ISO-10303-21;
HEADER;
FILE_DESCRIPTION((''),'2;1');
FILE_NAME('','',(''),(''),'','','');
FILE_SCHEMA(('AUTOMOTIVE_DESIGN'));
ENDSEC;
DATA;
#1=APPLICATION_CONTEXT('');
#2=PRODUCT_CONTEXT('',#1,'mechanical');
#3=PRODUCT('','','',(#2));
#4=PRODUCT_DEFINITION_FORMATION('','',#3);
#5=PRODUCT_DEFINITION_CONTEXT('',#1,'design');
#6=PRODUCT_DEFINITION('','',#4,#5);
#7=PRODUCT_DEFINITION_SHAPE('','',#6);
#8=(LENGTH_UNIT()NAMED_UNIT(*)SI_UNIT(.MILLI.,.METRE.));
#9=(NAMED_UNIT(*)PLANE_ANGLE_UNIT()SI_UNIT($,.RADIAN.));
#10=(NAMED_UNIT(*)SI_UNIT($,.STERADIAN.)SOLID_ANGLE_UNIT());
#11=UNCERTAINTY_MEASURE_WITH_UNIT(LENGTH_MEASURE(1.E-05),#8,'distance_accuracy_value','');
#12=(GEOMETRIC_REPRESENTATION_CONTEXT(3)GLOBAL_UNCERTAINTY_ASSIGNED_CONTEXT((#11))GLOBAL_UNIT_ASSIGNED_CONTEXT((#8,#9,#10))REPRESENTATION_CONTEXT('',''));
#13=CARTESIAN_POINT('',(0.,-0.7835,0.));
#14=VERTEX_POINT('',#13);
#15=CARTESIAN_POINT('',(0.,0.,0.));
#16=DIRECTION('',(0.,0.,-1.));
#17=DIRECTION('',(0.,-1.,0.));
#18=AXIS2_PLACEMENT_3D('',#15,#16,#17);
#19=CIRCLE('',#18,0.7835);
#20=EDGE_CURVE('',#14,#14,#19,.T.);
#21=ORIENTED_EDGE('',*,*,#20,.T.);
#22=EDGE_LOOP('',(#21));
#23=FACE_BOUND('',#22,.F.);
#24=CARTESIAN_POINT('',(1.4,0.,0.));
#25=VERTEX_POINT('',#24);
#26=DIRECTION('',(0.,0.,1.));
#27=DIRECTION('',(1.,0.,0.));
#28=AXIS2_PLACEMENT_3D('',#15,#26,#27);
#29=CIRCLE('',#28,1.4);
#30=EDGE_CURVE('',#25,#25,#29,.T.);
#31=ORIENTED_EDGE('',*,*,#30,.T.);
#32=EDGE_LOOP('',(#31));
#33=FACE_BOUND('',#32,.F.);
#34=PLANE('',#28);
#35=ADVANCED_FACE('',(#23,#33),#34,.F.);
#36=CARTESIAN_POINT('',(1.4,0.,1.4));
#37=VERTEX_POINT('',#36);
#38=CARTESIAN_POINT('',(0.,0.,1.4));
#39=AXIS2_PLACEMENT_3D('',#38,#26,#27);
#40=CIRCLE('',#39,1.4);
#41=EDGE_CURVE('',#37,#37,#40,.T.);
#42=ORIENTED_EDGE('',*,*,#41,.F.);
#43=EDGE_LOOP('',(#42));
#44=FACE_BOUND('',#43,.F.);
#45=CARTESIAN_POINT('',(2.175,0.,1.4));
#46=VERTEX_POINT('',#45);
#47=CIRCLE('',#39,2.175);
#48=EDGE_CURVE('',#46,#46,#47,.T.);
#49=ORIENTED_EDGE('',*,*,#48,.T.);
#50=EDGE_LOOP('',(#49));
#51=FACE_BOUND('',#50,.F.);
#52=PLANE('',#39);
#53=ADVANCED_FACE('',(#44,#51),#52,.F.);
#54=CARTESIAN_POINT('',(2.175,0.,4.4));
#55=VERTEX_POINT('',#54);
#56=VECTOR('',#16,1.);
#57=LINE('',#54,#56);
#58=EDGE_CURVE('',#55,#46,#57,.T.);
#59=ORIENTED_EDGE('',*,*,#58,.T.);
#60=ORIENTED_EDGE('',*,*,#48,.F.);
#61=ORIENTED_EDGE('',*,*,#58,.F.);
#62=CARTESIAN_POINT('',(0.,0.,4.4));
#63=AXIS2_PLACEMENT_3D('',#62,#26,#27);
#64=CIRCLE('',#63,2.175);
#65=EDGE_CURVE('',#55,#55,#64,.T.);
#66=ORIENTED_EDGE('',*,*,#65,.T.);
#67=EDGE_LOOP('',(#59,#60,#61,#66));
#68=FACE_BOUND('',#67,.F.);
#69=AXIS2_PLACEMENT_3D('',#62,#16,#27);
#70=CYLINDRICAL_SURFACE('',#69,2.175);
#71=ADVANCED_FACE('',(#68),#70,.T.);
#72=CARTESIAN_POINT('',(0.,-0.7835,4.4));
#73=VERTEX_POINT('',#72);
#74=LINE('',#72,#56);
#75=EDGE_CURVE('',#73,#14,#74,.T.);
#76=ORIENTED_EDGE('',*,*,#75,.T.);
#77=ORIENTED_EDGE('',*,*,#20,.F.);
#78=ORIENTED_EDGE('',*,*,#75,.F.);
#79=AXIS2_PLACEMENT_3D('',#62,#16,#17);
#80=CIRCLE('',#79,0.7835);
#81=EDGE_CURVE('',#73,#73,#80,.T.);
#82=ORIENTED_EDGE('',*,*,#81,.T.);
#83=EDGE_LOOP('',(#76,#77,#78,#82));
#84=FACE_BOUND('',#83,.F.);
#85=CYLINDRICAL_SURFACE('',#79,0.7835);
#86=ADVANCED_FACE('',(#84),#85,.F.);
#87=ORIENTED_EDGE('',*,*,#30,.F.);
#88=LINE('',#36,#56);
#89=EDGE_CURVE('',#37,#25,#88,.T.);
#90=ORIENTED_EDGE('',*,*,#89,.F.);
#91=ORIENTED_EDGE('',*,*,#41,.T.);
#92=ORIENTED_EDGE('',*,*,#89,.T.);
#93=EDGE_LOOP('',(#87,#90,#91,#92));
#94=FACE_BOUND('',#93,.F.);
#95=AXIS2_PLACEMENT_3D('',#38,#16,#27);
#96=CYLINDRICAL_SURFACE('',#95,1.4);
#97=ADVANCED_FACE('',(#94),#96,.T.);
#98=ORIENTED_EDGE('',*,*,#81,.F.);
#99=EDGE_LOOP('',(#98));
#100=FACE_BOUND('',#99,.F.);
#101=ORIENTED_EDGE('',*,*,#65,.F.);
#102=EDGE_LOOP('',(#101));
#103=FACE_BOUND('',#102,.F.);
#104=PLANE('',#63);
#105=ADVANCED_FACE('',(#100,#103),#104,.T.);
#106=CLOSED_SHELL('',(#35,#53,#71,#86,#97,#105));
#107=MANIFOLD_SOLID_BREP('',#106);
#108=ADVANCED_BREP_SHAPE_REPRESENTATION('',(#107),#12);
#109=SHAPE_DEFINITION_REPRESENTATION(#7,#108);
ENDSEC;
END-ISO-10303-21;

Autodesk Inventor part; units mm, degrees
ref_plane "YZ Plane" through (0, 0, 0) normal (1, 0, 0) x (0, 1, 0)
ref_plane "XZ Plane" through (0, 0, 0) normal (0, 1, 0) x (-1, 0, 0)
ref_plane "XY Plane" through (0, 0, 0) normal (0, 0, 1) x (1, 0, 0)
sketch "Skizze1" plane through (0, 0, 0) normal (0, 1, 0) x (-1, 0, 0)
  line L0 (0, 0) -> (0, 4.4)
  line L1 (0, 4.4) -> (-2.175, 4.4)
  line L2 (-2.175, 4.4) -> (-2.175, 1.4)
  line L3 (-2.175, 1.4) -> (-1.4, 1.4)
  line L4 (-1.4, 1.4) -> (-1.4, 0)
  line L5 (-1.4, 0) -> (0, 0)
  dimension "d0" = 4.35
  dimension "d1" = 1.4
  dimension "d2" = 3
  dimension "d3" = 2.8
revolve "Umdrehung1" add sketch "Skizze1" angle 360 about axis through (0, 0, 0) along (0, 0, 1)
sketch "Skizze2" plane through (0, 0, 4.4) normal (0, 0, 1) x (1, 0, 0)
  point P0 (0, 0)
  point P1 (0, 0)
hole "Bohrung1" at (0, 0, 4.4) direction (0, 0, -1) diameter 1.567 end through all thread size "M2x0.4" class "6H" standard "ISO Metric profile"
properties part number "Spacer M2 3mm" material "Stahl, weich"
